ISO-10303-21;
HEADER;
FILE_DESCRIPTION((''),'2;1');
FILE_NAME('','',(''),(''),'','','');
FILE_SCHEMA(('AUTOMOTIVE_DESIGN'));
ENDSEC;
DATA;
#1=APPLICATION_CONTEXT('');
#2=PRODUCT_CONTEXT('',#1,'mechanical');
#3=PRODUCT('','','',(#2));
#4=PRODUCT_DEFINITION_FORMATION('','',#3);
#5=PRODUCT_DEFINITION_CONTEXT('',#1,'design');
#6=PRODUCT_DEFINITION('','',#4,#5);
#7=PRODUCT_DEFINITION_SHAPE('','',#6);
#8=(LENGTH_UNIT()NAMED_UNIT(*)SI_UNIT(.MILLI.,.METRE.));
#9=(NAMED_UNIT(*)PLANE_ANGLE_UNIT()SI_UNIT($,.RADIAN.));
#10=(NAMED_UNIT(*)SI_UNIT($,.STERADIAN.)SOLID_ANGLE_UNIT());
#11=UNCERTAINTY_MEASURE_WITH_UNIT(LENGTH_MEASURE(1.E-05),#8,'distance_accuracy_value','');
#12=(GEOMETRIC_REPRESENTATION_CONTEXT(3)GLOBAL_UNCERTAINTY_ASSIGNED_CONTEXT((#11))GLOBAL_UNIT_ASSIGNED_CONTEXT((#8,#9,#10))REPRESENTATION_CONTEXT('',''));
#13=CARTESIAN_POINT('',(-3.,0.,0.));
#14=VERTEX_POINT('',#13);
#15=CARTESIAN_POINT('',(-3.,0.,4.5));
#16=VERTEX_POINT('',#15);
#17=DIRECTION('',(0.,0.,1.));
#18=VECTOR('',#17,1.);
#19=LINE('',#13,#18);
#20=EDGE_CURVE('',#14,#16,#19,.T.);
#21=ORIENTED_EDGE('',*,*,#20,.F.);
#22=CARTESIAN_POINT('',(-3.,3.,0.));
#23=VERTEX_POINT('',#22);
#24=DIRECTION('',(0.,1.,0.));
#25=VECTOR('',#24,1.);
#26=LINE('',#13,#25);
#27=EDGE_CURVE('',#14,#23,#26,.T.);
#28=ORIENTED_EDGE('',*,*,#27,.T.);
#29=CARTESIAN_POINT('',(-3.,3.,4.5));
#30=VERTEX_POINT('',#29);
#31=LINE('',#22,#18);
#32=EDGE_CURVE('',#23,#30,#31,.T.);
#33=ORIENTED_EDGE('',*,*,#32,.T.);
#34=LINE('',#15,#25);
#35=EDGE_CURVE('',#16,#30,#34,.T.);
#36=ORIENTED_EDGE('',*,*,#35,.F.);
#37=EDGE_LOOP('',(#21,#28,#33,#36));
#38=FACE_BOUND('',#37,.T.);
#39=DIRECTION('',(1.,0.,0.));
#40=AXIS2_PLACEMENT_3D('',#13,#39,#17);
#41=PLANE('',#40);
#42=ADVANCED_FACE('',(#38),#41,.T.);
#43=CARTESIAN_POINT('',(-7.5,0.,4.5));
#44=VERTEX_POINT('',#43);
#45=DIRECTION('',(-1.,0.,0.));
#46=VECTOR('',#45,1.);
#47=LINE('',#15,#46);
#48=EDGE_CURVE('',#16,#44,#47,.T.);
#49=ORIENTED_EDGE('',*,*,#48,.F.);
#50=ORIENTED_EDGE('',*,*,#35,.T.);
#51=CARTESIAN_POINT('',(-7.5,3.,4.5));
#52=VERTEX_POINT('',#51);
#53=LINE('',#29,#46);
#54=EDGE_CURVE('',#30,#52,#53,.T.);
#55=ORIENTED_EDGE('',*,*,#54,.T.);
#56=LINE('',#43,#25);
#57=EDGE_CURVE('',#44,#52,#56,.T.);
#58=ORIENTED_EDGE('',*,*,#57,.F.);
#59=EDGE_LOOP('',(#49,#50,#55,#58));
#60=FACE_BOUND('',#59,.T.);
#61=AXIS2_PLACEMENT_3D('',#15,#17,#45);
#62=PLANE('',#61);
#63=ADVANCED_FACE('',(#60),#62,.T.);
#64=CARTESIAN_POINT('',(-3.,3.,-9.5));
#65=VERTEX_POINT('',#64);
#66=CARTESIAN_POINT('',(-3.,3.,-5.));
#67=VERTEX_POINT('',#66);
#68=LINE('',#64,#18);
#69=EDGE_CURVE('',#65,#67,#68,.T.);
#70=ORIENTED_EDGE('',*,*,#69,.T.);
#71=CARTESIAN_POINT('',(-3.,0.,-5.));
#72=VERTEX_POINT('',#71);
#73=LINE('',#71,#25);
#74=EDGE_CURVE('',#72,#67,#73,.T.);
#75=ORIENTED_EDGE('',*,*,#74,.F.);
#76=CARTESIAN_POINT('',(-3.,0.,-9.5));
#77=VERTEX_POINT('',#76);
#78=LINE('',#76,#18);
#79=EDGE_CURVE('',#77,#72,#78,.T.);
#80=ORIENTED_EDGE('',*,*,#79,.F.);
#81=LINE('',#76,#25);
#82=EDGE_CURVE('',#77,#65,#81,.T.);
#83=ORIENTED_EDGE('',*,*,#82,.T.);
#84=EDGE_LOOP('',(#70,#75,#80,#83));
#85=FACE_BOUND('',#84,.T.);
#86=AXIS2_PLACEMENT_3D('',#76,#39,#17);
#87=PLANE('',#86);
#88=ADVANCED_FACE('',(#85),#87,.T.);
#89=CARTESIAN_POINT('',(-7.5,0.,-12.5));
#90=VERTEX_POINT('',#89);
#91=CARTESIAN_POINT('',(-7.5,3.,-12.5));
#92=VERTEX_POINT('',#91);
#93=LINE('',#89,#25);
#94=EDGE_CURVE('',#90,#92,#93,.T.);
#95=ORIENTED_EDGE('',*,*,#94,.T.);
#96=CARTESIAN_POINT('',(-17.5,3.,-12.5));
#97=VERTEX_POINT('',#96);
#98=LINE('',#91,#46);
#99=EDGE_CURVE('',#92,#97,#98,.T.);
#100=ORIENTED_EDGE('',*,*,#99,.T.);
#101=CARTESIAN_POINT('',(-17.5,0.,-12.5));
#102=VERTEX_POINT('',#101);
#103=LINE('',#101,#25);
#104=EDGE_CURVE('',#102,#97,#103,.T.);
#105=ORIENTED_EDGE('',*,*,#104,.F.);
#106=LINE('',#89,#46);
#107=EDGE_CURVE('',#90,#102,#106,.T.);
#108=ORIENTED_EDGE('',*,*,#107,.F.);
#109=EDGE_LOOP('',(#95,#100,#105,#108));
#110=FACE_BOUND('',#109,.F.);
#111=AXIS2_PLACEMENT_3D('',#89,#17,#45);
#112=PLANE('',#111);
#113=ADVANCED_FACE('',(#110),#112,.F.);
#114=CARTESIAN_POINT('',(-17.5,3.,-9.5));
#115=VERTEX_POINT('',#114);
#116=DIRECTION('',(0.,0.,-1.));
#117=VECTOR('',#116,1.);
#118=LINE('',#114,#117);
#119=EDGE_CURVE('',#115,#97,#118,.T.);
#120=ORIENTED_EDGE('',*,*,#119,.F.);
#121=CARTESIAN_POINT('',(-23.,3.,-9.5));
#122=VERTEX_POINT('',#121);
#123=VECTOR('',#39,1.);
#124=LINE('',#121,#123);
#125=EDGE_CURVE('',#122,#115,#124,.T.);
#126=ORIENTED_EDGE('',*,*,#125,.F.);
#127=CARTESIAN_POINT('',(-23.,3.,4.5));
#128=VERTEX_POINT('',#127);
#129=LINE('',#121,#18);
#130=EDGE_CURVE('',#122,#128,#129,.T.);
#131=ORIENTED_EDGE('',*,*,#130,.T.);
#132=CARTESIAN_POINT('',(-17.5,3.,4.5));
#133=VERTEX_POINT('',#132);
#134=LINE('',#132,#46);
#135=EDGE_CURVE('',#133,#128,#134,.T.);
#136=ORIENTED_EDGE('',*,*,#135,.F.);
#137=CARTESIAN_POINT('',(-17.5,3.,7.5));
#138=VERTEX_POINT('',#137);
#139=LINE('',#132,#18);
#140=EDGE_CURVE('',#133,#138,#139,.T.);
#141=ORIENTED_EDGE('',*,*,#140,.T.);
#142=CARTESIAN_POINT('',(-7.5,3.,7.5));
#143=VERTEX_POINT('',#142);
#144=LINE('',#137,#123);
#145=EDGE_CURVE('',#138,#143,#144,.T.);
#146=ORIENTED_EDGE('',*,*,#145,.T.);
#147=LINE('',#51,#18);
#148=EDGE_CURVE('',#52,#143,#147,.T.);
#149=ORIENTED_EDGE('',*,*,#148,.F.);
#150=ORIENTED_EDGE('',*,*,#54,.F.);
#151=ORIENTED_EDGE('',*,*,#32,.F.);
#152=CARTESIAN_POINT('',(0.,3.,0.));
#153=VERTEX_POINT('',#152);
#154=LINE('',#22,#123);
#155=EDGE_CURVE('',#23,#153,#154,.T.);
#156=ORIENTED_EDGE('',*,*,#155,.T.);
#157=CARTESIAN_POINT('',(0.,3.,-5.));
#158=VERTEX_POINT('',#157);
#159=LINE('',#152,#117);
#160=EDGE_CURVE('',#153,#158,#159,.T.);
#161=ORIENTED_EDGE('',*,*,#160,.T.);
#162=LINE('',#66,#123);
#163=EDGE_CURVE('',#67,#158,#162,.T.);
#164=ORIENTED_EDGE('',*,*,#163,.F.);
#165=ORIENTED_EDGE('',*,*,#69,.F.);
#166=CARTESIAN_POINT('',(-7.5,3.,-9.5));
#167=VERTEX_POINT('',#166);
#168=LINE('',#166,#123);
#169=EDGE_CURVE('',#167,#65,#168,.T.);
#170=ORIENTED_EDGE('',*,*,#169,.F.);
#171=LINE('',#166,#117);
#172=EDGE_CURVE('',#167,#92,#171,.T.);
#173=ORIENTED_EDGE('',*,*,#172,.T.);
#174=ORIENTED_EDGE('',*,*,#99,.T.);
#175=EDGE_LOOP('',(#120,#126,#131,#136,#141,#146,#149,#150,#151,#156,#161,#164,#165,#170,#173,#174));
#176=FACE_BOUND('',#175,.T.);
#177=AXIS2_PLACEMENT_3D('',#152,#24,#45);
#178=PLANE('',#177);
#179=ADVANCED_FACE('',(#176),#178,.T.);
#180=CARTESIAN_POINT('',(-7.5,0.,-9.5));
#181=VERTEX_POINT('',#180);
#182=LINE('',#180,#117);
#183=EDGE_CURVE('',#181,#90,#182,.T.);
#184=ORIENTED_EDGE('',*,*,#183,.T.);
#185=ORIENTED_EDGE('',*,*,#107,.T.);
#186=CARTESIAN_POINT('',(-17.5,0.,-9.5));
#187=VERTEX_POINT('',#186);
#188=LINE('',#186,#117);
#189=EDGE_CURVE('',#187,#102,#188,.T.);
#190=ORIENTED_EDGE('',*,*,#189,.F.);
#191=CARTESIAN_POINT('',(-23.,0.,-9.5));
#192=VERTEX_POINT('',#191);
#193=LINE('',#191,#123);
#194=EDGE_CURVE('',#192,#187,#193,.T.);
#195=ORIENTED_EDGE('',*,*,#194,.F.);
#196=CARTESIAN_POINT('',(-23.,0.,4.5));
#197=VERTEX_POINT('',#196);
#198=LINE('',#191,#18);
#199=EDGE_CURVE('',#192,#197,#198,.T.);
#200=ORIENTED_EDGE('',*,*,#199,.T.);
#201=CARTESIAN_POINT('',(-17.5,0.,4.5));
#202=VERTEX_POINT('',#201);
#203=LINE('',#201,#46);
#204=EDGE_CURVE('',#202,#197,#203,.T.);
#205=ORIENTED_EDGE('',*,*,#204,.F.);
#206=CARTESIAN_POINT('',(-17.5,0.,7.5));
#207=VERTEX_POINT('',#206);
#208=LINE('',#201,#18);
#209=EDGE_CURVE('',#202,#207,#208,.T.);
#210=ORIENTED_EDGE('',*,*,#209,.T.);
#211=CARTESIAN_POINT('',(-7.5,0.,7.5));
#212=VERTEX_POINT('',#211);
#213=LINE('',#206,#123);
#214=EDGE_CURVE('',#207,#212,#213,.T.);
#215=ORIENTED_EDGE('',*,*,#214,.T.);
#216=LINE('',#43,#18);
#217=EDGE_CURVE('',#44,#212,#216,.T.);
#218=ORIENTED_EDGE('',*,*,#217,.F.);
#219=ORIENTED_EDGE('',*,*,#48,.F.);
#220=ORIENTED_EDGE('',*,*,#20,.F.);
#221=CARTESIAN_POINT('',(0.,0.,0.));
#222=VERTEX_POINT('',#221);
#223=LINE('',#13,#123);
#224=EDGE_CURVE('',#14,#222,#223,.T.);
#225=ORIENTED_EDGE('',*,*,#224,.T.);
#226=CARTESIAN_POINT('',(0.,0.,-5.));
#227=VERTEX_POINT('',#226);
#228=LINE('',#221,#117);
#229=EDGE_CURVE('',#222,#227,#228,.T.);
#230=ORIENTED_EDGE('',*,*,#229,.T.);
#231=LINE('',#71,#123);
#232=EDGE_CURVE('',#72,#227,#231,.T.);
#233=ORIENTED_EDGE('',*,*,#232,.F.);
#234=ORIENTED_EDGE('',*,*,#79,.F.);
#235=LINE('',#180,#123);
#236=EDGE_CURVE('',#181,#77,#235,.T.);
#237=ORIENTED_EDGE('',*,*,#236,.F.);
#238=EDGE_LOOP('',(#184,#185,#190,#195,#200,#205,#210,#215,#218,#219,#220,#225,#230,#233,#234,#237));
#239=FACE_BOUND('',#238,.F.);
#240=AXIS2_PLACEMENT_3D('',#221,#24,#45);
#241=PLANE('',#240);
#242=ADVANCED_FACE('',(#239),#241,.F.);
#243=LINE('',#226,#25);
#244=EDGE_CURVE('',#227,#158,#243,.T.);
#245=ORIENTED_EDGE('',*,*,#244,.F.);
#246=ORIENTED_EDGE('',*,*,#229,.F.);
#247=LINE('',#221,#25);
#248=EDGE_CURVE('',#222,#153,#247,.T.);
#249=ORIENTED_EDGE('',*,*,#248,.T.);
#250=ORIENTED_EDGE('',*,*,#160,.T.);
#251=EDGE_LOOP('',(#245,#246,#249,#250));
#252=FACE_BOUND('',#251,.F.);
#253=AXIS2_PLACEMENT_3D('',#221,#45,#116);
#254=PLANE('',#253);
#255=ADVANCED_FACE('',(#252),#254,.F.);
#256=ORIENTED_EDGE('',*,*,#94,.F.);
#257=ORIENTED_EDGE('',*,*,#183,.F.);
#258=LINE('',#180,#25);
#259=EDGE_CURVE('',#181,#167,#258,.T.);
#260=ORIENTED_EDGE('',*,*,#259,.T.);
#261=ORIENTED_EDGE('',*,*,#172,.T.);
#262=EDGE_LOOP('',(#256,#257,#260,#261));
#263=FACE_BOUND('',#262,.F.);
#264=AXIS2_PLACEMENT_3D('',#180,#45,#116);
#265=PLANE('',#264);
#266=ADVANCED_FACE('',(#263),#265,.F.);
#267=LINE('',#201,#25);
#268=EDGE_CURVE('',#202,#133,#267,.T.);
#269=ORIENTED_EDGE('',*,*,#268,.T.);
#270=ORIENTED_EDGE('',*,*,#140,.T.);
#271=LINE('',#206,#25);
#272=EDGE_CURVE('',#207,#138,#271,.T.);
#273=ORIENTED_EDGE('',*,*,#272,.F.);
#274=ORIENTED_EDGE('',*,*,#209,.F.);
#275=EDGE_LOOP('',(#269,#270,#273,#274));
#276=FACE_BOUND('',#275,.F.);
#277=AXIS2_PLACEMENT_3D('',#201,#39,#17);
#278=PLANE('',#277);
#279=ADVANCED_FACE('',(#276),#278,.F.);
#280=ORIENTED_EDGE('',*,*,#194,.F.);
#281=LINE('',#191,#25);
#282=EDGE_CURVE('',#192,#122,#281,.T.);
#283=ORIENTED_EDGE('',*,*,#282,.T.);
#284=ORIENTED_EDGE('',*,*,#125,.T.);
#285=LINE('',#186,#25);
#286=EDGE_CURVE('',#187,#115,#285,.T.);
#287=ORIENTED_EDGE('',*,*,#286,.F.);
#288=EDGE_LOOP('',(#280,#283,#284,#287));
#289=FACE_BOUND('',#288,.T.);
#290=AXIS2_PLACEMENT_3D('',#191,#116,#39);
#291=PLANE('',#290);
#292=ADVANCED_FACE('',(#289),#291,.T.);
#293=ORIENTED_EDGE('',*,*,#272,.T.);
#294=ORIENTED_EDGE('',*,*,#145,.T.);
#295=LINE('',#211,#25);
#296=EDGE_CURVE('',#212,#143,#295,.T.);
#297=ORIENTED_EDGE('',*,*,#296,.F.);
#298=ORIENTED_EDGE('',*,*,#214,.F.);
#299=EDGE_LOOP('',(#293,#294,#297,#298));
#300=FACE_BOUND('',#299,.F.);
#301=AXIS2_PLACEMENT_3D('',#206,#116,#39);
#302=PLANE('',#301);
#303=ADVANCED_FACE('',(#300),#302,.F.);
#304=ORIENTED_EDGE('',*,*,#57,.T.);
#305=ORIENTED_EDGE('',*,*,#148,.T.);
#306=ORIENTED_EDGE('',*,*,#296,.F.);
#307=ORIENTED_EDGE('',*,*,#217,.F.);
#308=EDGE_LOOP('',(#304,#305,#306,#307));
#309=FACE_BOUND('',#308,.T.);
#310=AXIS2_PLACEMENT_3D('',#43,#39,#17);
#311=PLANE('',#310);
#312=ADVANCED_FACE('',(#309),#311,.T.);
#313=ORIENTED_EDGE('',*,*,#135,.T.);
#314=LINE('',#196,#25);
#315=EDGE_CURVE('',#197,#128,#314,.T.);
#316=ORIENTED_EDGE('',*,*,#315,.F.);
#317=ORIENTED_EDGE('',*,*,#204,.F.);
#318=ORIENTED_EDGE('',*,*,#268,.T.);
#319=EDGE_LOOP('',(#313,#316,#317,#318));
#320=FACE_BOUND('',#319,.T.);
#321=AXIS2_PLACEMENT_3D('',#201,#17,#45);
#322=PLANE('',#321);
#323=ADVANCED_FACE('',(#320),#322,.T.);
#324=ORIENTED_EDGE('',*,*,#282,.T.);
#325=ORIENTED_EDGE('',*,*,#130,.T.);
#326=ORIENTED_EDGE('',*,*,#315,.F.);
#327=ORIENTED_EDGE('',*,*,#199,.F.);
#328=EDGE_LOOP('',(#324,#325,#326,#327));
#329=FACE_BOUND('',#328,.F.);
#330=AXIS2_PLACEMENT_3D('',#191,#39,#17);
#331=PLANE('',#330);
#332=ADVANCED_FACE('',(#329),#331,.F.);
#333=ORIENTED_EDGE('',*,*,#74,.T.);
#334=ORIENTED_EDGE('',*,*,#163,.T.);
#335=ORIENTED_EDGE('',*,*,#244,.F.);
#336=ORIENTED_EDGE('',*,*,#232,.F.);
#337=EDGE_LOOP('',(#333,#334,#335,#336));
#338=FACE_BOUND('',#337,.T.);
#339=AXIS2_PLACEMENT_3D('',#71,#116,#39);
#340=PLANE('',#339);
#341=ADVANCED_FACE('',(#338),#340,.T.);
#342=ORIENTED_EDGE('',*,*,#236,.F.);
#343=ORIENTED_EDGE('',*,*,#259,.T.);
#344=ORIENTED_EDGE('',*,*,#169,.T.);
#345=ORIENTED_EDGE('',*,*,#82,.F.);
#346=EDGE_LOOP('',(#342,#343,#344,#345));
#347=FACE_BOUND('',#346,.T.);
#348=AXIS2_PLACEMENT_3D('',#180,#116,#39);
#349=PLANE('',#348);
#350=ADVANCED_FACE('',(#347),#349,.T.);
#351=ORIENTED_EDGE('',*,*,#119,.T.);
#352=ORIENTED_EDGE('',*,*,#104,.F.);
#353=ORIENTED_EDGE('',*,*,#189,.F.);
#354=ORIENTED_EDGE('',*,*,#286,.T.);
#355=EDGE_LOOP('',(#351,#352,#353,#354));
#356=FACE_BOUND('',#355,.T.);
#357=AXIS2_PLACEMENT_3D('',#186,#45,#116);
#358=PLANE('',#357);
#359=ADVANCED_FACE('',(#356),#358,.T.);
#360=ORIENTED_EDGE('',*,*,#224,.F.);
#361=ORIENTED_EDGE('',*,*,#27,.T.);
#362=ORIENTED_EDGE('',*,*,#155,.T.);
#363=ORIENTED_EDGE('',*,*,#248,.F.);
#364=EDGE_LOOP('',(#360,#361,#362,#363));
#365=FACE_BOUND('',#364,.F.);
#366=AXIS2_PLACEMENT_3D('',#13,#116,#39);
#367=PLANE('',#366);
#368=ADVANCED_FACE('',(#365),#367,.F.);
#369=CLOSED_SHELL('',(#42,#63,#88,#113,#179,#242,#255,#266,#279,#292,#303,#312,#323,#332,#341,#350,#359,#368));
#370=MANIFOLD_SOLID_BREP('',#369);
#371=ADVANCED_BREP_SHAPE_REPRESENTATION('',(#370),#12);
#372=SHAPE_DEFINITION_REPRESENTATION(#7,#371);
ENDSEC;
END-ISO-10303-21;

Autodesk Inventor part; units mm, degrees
ref_plane "YZ Plane" through (0, 0, 0) normal (1, 0, 0) x (0, 1, 0)
ref_plane "XZ Plane" through (0, 0, 0) normal (0, 1, 0) x (-1, 0, 0)
ref_plane "XY Plane" through (0, 0, 0) normal (0, 0, 1) x (1, 0, 0)
sketch "Boceto1" plane through (0, 0, 0) normal (0, 1, 0) x (-1, 0, 0)
  line L0 (17.5, 7.5) -> (7.5, 7.5)
  line L1 (0, 0) -> (0, -5)
  line L2 (7.5, -12.5) -> (17.5, -12.5)
  line L3 (23, -9.5) -> (23, 4.5)
  line L4 (17.5, 4.5) -> (17.5, 7.5)
  line L5 (7.5, 4.5) -> (7.5, 7.5)
  line L6 (3, 4.5) -> (7.5, 4.5)
  line L7 (17.5, 4.5) -> (23, 4.5)
  line L8 (17.5, -9.5) -> (17.5, -12.5)
  line L9 (7.5, -9.5) -> (7.5, -12.5)
  line L10 (23, -9.5) -> (17.5, -9.5)
  line L11 (7.5, -9.5) -> (3, -9.5)
  line L12 (3, -5) -> (0, -5)
  line L13 (3, 0) -> (0, 0)
  line L14 (3, -9.5) -> (3, -5)
  line L15 (3, 0) -> (3, 4.5)
  point P0 (0, -2.5)
  point P1 (12.5, -12.5)
  dimension "d0" = 23
  dimension "d1" = 20
  dimension "d2" = 10
  dimension "d3" = 5
  dimension "d4" = 3
  dimension "d5" = 3
  dimension "d11" = 7.5
extrude "Extrusión1" add sketch "Boceto1" along normal blind 3
properties part number "Top" material "Oro"
